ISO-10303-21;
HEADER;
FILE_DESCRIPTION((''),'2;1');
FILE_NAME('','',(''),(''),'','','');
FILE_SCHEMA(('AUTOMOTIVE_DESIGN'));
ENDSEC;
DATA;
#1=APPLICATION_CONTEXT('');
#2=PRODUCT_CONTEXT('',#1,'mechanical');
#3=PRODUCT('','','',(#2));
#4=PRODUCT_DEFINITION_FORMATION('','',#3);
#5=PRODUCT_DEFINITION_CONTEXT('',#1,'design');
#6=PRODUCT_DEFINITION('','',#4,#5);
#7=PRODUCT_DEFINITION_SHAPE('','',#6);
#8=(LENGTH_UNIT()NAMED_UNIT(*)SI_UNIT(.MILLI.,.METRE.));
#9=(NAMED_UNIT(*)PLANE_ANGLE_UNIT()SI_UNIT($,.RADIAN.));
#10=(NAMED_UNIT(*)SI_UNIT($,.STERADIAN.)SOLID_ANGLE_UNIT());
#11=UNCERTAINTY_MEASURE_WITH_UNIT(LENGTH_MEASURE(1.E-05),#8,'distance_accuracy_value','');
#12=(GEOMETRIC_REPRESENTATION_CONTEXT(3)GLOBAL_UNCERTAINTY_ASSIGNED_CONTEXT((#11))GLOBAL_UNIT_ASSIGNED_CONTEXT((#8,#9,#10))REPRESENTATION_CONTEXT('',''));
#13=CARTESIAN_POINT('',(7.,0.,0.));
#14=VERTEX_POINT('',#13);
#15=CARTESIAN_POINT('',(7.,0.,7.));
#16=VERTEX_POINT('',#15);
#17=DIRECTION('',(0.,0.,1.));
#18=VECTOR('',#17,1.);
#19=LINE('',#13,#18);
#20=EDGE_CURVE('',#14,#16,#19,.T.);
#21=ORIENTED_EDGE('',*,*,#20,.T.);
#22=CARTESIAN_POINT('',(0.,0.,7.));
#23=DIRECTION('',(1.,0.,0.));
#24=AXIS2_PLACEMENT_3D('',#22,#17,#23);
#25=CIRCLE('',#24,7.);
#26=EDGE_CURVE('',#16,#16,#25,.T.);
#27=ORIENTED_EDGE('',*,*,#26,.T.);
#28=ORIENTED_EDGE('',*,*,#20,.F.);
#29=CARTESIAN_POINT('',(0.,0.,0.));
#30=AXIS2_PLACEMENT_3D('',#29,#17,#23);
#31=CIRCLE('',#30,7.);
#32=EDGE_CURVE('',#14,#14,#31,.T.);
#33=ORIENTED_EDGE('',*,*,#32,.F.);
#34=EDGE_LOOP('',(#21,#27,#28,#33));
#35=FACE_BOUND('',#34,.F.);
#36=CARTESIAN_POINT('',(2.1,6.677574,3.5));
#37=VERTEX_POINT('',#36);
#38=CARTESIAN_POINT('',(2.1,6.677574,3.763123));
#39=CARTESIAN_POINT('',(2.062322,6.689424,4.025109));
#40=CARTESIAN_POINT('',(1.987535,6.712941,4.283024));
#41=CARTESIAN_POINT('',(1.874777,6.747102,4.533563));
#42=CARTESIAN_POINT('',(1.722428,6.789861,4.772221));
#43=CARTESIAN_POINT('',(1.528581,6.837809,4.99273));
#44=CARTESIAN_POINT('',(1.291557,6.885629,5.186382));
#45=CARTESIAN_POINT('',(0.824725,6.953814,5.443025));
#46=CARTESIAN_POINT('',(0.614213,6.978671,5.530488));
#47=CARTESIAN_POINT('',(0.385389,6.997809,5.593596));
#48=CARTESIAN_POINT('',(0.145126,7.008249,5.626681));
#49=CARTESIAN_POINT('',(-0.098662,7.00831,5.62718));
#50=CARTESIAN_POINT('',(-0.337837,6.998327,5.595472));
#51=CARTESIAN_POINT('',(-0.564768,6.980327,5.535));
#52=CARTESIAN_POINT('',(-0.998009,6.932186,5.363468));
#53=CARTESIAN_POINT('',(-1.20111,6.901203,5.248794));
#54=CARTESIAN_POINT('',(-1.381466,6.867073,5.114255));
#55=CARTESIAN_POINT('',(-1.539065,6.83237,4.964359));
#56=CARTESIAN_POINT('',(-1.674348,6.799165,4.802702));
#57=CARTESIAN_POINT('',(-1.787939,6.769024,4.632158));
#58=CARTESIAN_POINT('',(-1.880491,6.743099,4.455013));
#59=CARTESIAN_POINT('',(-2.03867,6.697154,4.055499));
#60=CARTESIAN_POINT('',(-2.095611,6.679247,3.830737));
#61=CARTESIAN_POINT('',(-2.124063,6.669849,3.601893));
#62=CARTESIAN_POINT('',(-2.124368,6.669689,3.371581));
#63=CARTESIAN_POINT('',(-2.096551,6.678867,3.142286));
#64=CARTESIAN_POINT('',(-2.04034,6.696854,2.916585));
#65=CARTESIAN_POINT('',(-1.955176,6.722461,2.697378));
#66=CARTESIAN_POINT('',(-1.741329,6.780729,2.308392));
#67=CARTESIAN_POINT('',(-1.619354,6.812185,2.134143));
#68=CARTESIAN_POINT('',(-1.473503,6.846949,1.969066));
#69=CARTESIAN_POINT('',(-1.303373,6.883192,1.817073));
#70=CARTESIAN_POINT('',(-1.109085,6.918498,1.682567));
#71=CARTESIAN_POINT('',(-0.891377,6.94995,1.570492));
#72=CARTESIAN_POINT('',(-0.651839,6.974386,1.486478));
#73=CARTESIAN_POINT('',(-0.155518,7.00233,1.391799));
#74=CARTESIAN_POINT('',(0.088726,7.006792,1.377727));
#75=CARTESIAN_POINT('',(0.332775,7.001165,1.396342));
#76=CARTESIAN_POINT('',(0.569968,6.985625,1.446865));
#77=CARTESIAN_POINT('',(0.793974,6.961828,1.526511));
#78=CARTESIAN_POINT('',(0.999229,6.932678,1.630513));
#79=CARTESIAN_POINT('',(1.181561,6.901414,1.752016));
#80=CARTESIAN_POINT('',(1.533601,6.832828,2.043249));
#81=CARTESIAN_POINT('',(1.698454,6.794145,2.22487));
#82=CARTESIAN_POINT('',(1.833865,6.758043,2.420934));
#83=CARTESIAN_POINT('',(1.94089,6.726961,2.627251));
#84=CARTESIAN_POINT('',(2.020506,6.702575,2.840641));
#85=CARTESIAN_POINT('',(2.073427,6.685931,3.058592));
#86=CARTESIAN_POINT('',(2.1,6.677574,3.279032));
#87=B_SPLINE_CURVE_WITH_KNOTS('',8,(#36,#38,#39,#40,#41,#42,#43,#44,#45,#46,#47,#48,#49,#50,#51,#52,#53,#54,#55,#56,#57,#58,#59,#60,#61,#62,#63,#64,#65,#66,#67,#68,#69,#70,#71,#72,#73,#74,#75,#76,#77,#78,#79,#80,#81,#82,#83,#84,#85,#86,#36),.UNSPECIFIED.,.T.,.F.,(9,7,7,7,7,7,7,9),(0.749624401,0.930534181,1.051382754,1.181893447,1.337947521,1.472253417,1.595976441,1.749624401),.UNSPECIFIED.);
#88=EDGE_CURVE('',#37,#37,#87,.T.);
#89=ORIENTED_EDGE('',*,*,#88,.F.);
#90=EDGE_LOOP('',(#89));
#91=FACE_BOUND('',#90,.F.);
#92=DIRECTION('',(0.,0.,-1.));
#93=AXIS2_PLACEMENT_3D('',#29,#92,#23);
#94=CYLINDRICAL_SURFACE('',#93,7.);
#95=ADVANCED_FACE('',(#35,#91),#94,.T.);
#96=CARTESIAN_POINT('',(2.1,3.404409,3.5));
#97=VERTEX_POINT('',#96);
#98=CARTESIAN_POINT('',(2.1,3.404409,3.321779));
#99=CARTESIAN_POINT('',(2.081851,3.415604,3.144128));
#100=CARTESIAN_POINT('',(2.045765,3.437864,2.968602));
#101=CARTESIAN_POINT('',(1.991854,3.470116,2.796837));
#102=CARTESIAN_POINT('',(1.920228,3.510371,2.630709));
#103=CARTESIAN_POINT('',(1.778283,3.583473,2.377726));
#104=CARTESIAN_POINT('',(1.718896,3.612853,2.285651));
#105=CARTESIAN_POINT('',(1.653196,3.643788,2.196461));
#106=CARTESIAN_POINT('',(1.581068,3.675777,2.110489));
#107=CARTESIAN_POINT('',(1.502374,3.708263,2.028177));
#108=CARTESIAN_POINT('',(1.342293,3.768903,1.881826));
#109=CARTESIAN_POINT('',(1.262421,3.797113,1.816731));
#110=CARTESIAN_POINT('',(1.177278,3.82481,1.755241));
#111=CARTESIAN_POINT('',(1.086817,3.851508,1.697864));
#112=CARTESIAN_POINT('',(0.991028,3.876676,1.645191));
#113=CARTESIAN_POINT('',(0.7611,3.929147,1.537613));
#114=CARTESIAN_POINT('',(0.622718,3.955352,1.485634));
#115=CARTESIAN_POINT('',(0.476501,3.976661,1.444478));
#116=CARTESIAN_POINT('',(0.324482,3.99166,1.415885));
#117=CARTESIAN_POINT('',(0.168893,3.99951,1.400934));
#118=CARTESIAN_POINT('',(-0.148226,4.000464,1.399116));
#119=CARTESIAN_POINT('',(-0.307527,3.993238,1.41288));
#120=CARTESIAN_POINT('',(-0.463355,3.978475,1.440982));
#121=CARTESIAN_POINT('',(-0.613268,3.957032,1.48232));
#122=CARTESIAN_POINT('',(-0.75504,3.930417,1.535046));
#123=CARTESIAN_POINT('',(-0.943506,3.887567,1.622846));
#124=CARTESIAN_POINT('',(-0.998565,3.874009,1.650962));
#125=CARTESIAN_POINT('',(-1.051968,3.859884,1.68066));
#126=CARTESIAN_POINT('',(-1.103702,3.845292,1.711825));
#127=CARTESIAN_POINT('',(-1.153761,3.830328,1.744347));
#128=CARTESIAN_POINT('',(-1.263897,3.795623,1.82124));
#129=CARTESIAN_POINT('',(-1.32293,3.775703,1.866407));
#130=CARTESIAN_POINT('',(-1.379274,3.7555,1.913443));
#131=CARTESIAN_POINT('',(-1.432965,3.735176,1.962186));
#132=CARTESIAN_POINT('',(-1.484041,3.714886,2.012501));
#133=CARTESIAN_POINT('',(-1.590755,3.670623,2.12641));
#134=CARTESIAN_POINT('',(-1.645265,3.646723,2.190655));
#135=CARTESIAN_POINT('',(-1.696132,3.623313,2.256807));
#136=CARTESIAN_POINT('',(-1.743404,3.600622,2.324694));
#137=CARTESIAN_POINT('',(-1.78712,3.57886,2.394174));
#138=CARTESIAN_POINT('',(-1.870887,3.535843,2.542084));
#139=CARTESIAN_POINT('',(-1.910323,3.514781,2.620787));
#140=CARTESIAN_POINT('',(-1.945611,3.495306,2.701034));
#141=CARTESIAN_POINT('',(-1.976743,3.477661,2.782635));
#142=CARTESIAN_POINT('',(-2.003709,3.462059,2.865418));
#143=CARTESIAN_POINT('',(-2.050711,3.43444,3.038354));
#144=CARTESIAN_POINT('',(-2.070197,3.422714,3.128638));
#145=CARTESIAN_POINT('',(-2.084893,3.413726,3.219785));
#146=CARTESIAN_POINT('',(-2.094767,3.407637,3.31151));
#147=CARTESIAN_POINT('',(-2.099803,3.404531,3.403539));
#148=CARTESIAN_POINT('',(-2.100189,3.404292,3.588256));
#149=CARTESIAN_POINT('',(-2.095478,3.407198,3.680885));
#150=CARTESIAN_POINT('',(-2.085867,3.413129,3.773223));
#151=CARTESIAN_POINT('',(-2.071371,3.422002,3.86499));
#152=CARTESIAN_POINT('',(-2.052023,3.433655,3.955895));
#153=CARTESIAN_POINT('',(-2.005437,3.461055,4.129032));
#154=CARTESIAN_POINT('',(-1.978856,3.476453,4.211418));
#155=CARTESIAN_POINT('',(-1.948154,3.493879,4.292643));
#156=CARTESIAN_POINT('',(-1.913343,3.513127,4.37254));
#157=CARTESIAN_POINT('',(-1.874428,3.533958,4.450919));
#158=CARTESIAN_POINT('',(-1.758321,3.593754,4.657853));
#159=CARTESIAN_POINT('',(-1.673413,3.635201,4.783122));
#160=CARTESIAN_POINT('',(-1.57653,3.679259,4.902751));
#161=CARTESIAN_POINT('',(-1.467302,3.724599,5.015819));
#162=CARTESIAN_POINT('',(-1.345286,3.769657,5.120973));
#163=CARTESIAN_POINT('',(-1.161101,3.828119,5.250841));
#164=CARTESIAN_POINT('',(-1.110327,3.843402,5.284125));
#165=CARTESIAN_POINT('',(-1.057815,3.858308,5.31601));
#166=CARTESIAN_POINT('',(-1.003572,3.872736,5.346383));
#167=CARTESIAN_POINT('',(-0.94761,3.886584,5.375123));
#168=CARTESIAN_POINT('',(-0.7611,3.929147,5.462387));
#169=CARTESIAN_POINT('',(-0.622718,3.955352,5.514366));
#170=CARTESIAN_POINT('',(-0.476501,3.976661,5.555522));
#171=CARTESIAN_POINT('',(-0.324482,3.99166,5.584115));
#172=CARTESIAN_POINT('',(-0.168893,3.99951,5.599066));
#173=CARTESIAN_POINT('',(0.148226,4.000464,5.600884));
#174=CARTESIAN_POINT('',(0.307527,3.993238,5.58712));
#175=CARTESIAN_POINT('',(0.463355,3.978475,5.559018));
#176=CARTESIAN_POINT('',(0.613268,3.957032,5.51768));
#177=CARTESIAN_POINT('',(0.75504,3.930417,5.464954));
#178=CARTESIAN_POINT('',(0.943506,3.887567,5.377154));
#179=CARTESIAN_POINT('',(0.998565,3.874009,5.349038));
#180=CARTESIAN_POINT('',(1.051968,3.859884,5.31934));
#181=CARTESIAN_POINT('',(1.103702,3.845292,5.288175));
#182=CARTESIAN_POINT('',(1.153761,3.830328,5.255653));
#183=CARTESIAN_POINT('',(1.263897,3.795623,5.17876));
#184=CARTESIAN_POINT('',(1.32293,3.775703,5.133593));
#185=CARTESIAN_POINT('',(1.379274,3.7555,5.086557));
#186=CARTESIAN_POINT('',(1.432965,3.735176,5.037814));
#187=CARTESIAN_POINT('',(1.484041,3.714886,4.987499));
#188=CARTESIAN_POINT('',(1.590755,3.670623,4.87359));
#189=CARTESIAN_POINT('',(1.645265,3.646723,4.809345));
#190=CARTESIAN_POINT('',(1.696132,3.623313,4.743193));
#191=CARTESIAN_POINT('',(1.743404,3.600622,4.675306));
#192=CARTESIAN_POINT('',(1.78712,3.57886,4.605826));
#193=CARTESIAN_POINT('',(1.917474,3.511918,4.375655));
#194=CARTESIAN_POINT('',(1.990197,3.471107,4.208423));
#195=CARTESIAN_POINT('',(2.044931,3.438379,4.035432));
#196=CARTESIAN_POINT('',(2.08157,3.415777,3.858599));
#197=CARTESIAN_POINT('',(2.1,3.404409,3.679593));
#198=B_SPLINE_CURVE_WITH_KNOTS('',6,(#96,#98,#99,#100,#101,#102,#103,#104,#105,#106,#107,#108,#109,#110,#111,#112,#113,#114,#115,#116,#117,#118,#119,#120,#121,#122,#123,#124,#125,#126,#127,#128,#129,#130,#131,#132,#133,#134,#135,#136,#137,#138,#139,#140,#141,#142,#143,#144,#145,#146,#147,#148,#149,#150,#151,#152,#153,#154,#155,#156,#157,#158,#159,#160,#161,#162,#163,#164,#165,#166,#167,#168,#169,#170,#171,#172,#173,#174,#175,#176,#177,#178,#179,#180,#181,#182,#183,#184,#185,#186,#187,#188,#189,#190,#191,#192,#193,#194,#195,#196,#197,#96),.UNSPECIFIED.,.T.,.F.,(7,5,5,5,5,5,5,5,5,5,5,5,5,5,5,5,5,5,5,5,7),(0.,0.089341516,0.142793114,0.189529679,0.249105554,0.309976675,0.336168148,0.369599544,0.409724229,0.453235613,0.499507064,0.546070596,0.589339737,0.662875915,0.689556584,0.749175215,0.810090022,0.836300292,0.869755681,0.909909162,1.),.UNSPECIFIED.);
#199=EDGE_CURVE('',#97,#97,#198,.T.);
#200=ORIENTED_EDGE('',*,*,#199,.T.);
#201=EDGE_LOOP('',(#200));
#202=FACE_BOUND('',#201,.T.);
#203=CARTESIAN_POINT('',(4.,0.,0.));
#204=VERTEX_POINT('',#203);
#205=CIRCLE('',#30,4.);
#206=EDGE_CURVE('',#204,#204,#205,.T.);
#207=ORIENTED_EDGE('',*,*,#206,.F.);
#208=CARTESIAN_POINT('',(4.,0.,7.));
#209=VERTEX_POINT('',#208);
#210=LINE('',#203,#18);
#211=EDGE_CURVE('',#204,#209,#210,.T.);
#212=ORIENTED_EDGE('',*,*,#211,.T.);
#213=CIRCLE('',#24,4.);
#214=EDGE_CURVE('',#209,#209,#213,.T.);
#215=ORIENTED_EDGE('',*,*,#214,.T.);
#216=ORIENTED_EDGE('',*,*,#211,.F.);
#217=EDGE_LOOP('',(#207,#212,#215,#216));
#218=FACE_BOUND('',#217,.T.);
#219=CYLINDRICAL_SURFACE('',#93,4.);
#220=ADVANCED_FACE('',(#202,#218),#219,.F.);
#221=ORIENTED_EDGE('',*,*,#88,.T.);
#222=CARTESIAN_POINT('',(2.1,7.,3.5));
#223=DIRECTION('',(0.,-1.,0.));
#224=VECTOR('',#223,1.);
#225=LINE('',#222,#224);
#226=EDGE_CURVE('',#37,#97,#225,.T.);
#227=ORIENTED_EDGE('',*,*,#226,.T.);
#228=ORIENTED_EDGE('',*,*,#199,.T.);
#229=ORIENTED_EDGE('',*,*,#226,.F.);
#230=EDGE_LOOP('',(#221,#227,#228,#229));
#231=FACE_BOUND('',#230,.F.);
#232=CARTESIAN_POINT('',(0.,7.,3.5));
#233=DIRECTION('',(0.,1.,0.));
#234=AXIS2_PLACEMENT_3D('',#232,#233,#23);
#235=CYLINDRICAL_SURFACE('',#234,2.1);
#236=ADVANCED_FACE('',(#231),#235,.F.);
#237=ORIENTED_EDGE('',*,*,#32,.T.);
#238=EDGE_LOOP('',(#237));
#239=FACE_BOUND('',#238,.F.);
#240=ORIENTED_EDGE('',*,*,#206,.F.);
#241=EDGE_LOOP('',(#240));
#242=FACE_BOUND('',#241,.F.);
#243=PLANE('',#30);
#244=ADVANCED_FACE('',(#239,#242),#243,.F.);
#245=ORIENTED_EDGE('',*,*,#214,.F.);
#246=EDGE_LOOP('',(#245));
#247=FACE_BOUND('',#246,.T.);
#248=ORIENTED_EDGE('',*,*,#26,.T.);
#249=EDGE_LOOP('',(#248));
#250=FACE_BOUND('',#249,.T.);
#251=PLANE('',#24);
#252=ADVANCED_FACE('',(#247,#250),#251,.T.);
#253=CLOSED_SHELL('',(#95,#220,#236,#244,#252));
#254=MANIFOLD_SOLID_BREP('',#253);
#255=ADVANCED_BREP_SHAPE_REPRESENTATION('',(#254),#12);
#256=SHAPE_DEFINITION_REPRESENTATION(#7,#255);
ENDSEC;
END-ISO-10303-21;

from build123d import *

# Parameters (mm, degrees)
SKETCH1_R                  = 7
SKETCH1_R_2                = 4
BOSS_EXTRUDE1_DEPTH        = 7
M5X0_8_TAPPED_HOLE1_REACH  = 19.146
M5X0_8_TAPPED_HOLE1_BORE_R = 2.1


with BuildPart() as part:
    # Sketch1 → Boss-Extrude1 (new body)
    with BuildSketch(Plane.XY):
        Circle(SKETCH1_R)
        Circle(SKETCH1_R_2, mode=Mode.SUBTRACT)
    extrude(amount=BOSS_EXTRUDE1_DEPTH)

    # M5x0.8 Tapped Hole1 bore → M5x0.8 Tapped Hole1 (cut, up to next)
    with BuildSketch(Plane(origin=(0, 7, 0), x_dir=(1, 0, 0), z_dir=(0, 1, 0)), mode=Mode.PRIVATE) as m5x0_8_tapped_hole1_sk1:
        with Locations((0, -3.5)):
            Circle(M5X0_8_TAPPED_HOLE1_BORE_R)
    m5x0_8_tapped_hole1_tool1 = extrude(m5x0_8_tapped_hole1_sk1.sketch, amount=-M5X0_8_TAPPED_HOLE1_REACH, mode=Mode.PRIVATE) & part.part
    add(m5x0_8_tapped_hole1_tool1.solids().sort_by_distance((0, 7, 3.5))[0], mode=Mode.SUBTRACT)


solid = part.part
